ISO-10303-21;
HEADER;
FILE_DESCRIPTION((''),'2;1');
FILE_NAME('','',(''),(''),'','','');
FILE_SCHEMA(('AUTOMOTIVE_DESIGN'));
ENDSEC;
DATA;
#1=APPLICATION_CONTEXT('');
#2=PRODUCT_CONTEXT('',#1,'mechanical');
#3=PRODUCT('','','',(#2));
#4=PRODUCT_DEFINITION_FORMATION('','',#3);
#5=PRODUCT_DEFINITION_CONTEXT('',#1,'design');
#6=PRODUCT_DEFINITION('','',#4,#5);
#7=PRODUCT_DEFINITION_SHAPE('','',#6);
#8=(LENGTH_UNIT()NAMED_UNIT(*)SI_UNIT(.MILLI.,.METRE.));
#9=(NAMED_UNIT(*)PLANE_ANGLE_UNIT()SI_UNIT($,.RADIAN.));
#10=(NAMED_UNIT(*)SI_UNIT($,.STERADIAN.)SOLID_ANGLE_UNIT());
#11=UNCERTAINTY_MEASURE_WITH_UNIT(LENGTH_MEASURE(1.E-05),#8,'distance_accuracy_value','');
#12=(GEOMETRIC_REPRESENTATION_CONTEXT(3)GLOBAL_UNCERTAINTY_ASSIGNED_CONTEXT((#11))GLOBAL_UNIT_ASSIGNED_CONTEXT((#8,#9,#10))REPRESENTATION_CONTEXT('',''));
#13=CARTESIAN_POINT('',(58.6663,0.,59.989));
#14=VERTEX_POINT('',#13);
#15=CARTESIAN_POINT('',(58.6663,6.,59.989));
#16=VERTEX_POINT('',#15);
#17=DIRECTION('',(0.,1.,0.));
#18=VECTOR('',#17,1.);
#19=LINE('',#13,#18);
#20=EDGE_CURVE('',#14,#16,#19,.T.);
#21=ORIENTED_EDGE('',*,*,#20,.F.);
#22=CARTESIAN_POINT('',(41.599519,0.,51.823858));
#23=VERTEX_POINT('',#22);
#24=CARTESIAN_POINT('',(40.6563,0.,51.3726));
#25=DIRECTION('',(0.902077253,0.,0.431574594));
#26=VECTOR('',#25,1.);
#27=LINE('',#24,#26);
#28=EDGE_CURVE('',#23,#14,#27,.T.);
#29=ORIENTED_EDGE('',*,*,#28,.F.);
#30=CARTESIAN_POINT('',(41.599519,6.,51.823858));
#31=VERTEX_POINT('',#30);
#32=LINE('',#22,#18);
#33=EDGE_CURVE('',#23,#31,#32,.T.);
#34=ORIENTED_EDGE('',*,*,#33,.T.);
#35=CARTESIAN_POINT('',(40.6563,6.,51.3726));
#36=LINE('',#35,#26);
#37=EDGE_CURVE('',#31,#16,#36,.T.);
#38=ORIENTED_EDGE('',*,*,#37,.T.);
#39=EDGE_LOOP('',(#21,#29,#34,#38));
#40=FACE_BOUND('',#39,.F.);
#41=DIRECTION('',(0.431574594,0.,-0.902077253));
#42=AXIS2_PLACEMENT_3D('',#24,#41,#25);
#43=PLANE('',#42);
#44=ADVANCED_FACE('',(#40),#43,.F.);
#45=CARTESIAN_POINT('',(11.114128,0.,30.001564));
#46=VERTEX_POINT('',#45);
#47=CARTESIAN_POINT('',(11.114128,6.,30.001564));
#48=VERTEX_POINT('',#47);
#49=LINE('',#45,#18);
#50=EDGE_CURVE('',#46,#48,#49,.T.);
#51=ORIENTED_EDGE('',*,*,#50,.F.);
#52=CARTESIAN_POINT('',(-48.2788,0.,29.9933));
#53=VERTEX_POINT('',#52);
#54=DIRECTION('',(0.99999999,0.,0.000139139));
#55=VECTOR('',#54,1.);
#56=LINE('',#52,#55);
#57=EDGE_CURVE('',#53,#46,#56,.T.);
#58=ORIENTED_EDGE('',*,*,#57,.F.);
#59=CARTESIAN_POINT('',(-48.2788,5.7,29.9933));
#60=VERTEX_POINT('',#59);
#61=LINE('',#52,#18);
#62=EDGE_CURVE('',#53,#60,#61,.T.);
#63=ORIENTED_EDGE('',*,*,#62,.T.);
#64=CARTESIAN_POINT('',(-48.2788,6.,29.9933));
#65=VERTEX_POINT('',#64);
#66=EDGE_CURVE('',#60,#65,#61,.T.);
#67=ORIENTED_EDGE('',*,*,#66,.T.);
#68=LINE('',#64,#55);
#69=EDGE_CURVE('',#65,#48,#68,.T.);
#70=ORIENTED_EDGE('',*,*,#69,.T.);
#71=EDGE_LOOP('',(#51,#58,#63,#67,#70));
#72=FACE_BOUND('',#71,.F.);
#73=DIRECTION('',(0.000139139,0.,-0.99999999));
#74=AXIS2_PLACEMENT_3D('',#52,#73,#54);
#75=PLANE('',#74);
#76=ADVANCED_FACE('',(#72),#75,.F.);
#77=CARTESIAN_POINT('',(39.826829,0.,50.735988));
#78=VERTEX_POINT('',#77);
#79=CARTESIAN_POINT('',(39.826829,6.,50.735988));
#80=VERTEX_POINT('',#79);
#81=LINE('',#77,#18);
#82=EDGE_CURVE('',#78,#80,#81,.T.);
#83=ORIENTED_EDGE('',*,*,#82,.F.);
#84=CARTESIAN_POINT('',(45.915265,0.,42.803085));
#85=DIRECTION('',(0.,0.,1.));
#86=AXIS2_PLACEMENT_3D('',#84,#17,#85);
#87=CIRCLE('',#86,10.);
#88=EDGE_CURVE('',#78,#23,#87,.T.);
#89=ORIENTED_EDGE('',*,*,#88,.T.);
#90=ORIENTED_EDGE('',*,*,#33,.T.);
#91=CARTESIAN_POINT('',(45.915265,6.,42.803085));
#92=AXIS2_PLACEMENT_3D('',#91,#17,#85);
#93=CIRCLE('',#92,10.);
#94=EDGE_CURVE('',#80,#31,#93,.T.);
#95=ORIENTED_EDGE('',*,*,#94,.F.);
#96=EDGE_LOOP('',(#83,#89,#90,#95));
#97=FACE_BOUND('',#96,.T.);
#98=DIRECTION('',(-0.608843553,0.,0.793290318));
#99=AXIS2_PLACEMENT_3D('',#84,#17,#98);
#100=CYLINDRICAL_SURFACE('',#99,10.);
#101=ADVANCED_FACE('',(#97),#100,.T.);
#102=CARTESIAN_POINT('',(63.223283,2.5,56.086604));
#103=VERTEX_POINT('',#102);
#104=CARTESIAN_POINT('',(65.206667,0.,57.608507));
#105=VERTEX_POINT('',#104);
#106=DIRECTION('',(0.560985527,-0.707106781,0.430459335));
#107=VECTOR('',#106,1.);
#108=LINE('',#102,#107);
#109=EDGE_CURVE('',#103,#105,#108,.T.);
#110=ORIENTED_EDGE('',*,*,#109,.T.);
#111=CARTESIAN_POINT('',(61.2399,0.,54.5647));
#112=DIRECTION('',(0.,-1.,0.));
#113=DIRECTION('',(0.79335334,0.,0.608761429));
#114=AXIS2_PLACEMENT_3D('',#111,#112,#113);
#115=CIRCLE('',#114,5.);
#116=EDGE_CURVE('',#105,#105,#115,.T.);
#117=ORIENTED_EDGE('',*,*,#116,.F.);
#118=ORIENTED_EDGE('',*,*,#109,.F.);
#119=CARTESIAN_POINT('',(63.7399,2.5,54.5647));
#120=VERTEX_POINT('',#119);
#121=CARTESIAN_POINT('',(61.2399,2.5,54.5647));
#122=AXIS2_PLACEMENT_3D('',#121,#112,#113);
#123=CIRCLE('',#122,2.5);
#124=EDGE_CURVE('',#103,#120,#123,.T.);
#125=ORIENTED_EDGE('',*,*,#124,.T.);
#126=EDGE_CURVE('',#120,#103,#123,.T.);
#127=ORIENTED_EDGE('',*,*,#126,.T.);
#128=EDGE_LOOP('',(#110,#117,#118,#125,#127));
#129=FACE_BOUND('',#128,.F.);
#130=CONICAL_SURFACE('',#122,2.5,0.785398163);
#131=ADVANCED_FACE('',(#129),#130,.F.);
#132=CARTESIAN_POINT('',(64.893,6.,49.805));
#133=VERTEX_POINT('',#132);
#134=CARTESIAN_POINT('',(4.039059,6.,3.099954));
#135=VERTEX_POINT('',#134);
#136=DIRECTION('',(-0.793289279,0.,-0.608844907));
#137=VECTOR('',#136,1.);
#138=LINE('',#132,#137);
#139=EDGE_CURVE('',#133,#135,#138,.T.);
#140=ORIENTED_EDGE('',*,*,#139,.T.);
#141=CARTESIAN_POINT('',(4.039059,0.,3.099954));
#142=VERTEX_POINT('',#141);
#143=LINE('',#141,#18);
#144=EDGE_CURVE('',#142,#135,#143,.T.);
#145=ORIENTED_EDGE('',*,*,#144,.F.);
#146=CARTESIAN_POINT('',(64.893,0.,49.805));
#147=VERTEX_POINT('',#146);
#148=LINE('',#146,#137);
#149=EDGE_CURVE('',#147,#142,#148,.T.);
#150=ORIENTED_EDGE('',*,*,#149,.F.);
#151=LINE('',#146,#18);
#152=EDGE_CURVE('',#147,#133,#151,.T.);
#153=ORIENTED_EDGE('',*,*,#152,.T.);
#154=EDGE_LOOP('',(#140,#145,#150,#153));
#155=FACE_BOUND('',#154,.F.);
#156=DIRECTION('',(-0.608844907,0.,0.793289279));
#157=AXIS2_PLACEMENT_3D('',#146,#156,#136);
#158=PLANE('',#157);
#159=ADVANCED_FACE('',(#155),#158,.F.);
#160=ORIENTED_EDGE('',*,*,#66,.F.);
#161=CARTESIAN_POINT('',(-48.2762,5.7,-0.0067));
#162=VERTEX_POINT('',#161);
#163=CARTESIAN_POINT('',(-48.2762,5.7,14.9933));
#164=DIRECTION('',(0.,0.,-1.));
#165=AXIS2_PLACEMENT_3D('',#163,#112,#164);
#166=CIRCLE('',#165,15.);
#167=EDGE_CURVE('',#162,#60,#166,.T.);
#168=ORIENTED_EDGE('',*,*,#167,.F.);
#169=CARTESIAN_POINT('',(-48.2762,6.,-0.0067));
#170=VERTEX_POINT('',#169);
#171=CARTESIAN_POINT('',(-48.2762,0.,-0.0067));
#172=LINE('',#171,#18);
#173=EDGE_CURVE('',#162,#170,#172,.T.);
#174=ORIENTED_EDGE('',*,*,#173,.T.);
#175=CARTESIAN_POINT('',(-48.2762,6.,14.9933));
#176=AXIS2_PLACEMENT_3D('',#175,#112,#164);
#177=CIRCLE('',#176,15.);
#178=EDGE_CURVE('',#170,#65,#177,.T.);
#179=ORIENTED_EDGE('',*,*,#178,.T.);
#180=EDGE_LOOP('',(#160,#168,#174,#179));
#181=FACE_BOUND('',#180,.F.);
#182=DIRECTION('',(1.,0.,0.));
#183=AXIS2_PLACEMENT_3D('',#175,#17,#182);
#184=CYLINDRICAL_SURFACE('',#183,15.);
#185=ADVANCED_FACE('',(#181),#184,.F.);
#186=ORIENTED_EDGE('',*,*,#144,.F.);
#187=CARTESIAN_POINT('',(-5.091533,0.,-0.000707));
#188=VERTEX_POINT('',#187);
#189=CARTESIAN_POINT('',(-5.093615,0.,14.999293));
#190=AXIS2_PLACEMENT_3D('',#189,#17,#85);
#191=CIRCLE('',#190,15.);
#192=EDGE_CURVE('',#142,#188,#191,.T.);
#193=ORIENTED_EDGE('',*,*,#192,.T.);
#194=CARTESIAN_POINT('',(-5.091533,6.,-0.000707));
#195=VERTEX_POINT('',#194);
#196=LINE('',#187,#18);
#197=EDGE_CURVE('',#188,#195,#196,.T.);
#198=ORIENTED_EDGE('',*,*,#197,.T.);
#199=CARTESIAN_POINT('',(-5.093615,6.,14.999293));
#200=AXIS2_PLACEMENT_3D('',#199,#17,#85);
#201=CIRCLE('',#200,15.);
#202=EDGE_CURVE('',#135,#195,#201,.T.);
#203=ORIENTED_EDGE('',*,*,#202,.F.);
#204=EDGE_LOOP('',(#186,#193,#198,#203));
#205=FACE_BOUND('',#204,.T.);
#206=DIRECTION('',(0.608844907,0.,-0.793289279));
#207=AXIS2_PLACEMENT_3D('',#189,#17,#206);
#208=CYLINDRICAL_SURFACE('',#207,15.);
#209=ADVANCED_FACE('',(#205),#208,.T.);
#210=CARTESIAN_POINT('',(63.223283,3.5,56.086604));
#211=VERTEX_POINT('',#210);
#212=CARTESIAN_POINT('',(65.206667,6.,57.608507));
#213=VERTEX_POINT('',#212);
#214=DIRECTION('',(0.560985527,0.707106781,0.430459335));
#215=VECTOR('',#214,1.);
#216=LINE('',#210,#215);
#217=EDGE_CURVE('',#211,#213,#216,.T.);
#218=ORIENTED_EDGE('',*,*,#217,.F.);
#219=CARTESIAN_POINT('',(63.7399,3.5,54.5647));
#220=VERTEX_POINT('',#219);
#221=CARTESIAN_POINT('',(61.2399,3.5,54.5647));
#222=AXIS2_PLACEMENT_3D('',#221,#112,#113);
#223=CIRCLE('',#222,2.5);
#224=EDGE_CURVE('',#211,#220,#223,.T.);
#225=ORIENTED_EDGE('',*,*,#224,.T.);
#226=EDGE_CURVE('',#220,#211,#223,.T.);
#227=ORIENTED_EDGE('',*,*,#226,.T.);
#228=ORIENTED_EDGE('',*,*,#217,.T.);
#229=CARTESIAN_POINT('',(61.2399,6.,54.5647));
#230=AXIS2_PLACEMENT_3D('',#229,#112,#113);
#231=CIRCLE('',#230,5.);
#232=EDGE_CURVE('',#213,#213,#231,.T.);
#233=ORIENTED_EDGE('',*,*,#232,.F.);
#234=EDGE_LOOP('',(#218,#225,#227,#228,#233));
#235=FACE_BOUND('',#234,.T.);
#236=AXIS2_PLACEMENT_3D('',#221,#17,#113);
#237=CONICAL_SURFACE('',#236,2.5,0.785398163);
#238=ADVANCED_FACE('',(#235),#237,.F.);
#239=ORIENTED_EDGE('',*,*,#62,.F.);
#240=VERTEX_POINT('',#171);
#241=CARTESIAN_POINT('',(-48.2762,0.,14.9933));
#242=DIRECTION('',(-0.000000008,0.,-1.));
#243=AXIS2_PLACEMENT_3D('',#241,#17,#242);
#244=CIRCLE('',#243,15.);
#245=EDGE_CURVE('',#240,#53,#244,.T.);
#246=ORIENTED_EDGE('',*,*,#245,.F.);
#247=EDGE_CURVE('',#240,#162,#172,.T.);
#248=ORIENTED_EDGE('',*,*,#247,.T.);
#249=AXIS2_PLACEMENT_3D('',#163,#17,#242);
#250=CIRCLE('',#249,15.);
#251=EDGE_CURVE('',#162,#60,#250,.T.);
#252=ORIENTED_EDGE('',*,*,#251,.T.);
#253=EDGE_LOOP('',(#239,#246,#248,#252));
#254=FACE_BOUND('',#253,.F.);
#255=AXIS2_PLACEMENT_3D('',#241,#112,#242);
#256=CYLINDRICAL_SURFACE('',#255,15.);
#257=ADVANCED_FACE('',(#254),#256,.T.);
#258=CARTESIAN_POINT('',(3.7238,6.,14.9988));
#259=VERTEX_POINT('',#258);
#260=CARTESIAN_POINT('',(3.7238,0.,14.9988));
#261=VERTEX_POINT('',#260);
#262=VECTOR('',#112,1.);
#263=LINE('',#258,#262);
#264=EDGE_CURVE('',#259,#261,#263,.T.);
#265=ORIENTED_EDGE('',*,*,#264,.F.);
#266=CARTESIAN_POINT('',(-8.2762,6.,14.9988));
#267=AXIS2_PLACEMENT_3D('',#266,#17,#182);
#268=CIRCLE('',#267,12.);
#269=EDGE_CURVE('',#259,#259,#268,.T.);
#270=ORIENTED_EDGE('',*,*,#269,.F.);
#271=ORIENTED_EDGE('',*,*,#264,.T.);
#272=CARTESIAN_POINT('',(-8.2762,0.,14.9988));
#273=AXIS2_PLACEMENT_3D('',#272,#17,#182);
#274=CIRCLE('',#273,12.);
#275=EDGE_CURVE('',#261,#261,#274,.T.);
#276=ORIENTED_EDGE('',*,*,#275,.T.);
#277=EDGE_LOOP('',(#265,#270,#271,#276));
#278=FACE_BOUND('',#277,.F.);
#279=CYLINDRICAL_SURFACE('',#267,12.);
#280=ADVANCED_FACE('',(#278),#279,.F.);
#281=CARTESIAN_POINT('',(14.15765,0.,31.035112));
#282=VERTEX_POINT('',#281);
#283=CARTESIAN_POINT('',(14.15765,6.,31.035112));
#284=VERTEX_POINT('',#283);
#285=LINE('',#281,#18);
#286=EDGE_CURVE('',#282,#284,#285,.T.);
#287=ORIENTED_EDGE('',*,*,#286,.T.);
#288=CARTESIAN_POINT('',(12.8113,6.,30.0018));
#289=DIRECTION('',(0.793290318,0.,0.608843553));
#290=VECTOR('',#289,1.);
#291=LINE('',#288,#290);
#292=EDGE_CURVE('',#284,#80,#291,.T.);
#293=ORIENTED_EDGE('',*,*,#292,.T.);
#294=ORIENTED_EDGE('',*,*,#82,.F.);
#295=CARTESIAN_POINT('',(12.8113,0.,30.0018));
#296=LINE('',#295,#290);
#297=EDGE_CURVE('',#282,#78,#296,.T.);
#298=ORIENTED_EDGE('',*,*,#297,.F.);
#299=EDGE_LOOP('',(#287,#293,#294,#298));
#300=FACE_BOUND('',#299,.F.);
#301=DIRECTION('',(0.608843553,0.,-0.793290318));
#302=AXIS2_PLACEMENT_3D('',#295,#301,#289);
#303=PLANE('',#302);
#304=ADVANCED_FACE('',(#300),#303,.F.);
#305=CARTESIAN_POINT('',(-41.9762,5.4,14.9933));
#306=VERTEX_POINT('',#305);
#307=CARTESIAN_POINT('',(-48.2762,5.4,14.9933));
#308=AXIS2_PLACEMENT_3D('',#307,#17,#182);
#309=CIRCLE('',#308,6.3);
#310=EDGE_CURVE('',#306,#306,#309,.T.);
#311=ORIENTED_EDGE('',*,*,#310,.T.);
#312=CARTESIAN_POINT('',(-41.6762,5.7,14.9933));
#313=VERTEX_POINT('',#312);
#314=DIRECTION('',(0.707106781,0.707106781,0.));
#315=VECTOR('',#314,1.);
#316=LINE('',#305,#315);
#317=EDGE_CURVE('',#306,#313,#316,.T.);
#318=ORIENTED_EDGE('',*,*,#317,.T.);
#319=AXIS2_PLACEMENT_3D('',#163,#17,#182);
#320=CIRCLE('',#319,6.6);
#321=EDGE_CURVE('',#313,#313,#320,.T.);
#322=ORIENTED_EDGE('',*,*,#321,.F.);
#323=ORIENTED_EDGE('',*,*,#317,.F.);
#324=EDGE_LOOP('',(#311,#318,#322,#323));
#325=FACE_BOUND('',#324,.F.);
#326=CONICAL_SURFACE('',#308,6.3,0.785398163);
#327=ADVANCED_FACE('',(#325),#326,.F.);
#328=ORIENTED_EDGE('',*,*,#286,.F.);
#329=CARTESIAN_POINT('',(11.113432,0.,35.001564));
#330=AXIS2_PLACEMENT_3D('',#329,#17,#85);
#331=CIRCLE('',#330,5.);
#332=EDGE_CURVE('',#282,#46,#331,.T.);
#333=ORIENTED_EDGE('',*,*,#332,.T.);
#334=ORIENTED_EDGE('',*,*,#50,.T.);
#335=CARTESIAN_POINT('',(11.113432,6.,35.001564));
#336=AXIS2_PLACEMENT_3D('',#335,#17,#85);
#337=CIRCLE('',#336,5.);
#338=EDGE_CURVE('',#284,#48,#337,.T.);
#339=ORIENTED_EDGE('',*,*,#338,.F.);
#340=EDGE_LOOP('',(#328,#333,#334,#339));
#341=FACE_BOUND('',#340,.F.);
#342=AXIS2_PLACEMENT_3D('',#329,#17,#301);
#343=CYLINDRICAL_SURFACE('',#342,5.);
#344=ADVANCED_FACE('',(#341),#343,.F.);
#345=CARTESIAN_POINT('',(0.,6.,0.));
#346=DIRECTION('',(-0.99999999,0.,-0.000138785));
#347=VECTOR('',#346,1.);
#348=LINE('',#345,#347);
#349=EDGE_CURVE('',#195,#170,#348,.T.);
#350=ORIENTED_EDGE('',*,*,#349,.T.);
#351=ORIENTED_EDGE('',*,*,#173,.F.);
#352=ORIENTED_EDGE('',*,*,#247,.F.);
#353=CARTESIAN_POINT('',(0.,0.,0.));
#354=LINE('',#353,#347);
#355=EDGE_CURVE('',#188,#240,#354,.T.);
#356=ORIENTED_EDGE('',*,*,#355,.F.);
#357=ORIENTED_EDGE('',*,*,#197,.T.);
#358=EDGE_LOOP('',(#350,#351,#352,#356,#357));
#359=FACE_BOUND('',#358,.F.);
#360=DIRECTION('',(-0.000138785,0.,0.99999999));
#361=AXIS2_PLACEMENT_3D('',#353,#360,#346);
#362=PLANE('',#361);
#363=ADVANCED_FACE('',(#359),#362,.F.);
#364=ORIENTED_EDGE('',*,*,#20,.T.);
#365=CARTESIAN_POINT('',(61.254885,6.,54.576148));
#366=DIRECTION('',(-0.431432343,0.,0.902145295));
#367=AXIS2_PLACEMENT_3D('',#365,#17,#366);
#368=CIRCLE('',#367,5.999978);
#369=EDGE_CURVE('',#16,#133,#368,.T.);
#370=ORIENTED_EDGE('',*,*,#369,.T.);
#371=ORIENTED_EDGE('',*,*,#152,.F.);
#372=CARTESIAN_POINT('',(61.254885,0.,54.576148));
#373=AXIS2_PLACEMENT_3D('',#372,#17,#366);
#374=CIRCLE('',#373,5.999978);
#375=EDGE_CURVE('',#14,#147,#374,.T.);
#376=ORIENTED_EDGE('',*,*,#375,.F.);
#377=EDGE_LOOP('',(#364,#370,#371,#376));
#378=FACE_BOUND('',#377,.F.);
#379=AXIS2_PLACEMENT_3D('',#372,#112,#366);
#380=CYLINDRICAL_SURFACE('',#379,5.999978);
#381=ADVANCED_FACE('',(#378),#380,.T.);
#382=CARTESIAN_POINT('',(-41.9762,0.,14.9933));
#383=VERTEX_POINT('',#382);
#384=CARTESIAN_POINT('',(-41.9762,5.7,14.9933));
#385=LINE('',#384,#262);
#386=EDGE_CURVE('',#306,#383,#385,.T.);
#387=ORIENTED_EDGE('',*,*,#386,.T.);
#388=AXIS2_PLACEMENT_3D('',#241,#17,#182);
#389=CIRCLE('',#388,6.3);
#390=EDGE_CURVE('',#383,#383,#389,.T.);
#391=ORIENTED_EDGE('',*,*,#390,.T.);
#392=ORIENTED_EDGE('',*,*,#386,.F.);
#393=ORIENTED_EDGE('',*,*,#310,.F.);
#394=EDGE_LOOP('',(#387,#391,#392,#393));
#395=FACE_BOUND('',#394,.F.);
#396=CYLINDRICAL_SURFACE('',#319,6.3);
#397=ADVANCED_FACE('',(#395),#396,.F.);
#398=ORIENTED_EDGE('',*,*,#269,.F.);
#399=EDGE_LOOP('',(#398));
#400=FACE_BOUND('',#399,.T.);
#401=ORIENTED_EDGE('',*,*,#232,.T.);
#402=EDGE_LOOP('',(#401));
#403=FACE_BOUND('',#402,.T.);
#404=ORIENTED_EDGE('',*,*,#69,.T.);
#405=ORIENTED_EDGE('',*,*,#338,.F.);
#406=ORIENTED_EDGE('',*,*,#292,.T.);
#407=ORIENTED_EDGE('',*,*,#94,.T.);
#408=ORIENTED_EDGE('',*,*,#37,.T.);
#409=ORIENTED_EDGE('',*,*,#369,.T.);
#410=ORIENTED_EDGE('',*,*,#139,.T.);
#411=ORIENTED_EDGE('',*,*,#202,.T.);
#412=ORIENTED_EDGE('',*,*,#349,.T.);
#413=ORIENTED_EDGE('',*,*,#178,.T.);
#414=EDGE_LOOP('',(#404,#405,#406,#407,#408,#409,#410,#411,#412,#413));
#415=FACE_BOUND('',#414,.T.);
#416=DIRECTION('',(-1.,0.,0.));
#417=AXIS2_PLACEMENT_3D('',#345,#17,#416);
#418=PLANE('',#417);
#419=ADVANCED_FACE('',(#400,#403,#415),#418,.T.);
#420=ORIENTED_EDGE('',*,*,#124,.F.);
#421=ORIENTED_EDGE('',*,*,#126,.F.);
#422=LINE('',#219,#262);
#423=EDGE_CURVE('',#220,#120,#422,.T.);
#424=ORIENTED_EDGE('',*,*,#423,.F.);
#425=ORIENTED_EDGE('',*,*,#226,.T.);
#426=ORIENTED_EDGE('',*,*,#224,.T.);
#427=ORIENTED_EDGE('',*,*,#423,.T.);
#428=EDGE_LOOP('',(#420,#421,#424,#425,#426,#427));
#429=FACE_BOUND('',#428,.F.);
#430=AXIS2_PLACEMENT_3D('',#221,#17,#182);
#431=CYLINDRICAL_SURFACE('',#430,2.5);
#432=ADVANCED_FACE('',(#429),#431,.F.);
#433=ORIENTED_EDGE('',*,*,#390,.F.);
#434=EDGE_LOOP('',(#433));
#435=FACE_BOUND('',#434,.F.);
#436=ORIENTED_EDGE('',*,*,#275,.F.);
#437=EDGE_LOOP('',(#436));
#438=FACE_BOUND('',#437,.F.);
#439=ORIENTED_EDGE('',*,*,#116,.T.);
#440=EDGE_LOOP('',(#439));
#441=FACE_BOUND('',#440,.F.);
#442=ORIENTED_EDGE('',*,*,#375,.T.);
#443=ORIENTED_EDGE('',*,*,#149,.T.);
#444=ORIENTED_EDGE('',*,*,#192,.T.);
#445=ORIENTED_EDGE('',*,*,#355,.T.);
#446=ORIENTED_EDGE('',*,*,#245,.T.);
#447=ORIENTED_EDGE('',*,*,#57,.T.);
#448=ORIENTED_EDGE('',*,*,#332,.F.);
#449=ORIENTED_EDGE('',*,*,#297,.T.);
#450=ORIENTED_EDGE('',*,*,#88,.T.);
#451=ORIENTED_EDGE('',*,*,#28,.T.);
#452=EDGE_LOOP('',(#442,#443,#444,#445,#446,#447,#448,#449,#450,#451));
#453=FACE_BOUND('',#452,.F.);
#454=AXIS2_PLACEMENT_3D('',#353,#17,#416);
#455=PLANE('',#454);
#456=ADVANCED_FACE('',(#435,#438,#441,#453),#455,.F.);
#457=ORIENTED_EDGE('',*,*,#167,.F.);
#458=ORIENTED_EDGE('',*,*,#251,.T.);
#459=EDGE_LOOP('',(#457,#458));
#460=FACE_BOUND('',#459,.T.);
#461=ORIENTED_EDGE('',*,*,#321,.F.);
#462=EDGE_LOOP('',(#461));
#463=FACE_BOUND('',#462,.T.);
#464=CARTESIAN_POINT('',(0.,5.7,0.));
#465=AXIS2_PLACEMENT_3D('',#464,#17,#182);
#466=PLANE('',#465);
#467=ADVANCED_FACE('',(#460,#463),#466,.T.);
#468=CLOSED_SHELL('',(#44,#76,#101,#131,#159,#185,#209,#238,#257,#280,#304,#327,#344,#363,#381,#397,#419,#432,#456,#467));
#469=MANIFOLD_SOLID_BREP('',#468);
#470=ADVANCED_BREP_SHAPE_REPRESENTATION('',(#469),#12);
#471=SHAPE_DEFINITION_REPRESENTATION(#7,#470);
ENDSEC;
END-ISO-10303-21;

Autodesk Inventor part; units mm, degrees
ref_plane "YZ Plane" through (0, 0, 0) normal (1, 0, 0) x (0, 1, 0)
ref_plane "XZ Plane" through (0, 0, 0) normal (0, 1, 0) x (-1, 0, 0)
sketch "Sketch1" plane through (0, 0, 0) normal (0, 1, 0) x (-1, 0, 0)
  line L0 (0, 0) -> (48.2762, -0.0067)
  line L1 (-64.893, 49.805) -> (0, 0)
  line L2 (-40.6563, 51.3726) -> (-58.6663, 59.989)
  line L3 (-12.8113, 30.0018) -> (-40.6563, 51.3726)
  line L4 (48.2788, 29.9933) -> (-12.8113, 30.0018)
  arc A0 (-58.6663, 59.989) -> (-64.893, 49.805) centre (-61.2549, 54.5762) ccw
  arc A1 (48.2762, -0.0067) -> (48.2788, 29.9933) centre (48.2762, 14.9933) ccw
  point P0 (0, 0)
  dimension "d0" = 0
  dimension "d1" = 0
  dimension "d2" = 15
  dimension "d3" = 48.2762
  dimension "d4" = 48.2762
  dimension "d5" = 61.0901
  dimension "d6" = 109.5311
  dimension "d7" = 6
  dimension "d8" = 168.062
  dimension "d9" = 30
  dimension "d10" = 16
  dimension "d11" = 18.01
extrude "Extrusion1" add sketch "Sketch1" along normal blind 6
sketch "Sketch2" plane through (0, 6, 0) normal (0, 1, 0) x (1, 0, 0)
  arc A0 (-48.2762, 0.0067) -> (-48.2788, -29.9933) centre (-48.2762, -14.9933) ccw projected
  circle A1 centre (-48.2762, -14.9933) radius 15
  point P0 (0, 0)
  point P1 (-48.2788, -29.9933)
  point P2 (-48.2762, 0.0067)
extrude "Extrusion2" cut sketch "Sketch2" against normal blind 0.3
sketch "Sketch3" plane through (0, 6, 0) normal (0, 1, 0) x (1, 0, 0)
  circle A0 centre (-8.2762, -14.9988) radius 12
  arc A1 (-48.2762, 0.0067) -> (-48.2788, -29.9933) centre (-48.2762, -14.9933) ccw projected
  line L0 (-48.2788, -29.9933) -> (12.8113, -30.0018) projected
  point P0 (0, 0)
  point P1 (-63.2762, -14.992)
  dimension "d16" = 55
  dimension "d17" = 15
  dimension "d18" = 24
extrude "Extrusion3" cut sketch "Sketch3" against normal blind 10
sketch "Sketch8" plane through (0, 5.7, 0) normal (0, 1, 0) x (1, 0, 0)
  arc A0 (-48.2762, 0.0067) -> (-48.2788, -29.9933) centre (-48.2762, -14.9933) ccw projected
  circle A1 centre (-48.2762, -14.9933) radius 6.3
  point P0 (0, 0)
  dimension "d37" = 12.6
extrude "Extrusion4" cut sketch "Sketch8" against normal blind 10
chamfer "Chamfer1" distance 0.3 angle 45 1 edges at (-54.5762, 5.7, 14.9933) measured on face at (-46.8281, 5.7, 26.9329)
fillet "Fillet1" radius 15 1 edges at (0, 3, 0)
fillet "Fillet2" radius 5 1 edges at (12.8113, 3, 30.0018)
fillet "Fillet3" radius 10 1 edges at (40.6563, 3, 51.3726)
sketch "Sketch15" plane through (64.893, 0, 49.805) normal (0.6088, 0, -0.7933) x (-0.7933, 0, -0.6088)
  point P0 (81.8024, 0)
sketch "Sketch16" plane through (0, 6, 0) normal (0, 1, 0) x (1, 0, 0)
  point P0 (0, 0)
ref_plane "Work Plane3" through (61.2399, 0, 54.5647) normal (0.6088, 0, -0.7933) x (-0.7933, 0, -0.6088)
sketch "Sketch18" plane through (61.2399, 0, 54.5647) normal (0.6088, 0, -0.7933) x (-0.7933, 0, -0.6088)
  line L0 (0, 6) -> (76.7109, 6) projected
  line L1 (0, 6) -> (0, 3.5)
  line L2 (0, 0) -> (0, 6) projected
  line L3 (-2.5, 3.5) -> (-5, 6)
  line L4 (0, 6) -> (-6.0189, 6) projected
  line L5 (-2.5, 3.5) -> (0, 3.5)
  line L6 (-6.0189, 0) -> (-6.0189, 6) projected
  line L7 (-6.0189, 3) -> (0, 3) construction
  line L8 (0, 0) -> (0, 2.5)
  line L9 (-2.5, 2.5) -> (-5, 0)
  line L10 (-2.5, 2.5) -> (0, 2.5)
  line L11 (-5, 0) -> (0, 0)
  line L12 (17.2493, 0) -> (-1.2609, 0) projected
  point P0 (81.8024, 0)
  point P1 (-1.2609, 6)
  point P2 (0, 2.5)
  dimension "d75" = 2.5
  dimension "d76" = 2.5
  dimension "d77" = 5
revolve "Revolution1" cut sketch "Sketch18" angle 360 about axis through (61.2399, 6, 54.5647) along (0, -1, 0)
sketch "Sketch19" plane through (61.2399, 3.5, 54.5647) normal (0, 1, 0) x (1, 0, 0)
  circle A0 centre (0, 0) radius 2.5
  point P0 (-61.2399, 54.5647)
extrude "Extrusion6" cut sketch "Sketch19" against normal blind 10
properties part number "31-10-201-novi"
